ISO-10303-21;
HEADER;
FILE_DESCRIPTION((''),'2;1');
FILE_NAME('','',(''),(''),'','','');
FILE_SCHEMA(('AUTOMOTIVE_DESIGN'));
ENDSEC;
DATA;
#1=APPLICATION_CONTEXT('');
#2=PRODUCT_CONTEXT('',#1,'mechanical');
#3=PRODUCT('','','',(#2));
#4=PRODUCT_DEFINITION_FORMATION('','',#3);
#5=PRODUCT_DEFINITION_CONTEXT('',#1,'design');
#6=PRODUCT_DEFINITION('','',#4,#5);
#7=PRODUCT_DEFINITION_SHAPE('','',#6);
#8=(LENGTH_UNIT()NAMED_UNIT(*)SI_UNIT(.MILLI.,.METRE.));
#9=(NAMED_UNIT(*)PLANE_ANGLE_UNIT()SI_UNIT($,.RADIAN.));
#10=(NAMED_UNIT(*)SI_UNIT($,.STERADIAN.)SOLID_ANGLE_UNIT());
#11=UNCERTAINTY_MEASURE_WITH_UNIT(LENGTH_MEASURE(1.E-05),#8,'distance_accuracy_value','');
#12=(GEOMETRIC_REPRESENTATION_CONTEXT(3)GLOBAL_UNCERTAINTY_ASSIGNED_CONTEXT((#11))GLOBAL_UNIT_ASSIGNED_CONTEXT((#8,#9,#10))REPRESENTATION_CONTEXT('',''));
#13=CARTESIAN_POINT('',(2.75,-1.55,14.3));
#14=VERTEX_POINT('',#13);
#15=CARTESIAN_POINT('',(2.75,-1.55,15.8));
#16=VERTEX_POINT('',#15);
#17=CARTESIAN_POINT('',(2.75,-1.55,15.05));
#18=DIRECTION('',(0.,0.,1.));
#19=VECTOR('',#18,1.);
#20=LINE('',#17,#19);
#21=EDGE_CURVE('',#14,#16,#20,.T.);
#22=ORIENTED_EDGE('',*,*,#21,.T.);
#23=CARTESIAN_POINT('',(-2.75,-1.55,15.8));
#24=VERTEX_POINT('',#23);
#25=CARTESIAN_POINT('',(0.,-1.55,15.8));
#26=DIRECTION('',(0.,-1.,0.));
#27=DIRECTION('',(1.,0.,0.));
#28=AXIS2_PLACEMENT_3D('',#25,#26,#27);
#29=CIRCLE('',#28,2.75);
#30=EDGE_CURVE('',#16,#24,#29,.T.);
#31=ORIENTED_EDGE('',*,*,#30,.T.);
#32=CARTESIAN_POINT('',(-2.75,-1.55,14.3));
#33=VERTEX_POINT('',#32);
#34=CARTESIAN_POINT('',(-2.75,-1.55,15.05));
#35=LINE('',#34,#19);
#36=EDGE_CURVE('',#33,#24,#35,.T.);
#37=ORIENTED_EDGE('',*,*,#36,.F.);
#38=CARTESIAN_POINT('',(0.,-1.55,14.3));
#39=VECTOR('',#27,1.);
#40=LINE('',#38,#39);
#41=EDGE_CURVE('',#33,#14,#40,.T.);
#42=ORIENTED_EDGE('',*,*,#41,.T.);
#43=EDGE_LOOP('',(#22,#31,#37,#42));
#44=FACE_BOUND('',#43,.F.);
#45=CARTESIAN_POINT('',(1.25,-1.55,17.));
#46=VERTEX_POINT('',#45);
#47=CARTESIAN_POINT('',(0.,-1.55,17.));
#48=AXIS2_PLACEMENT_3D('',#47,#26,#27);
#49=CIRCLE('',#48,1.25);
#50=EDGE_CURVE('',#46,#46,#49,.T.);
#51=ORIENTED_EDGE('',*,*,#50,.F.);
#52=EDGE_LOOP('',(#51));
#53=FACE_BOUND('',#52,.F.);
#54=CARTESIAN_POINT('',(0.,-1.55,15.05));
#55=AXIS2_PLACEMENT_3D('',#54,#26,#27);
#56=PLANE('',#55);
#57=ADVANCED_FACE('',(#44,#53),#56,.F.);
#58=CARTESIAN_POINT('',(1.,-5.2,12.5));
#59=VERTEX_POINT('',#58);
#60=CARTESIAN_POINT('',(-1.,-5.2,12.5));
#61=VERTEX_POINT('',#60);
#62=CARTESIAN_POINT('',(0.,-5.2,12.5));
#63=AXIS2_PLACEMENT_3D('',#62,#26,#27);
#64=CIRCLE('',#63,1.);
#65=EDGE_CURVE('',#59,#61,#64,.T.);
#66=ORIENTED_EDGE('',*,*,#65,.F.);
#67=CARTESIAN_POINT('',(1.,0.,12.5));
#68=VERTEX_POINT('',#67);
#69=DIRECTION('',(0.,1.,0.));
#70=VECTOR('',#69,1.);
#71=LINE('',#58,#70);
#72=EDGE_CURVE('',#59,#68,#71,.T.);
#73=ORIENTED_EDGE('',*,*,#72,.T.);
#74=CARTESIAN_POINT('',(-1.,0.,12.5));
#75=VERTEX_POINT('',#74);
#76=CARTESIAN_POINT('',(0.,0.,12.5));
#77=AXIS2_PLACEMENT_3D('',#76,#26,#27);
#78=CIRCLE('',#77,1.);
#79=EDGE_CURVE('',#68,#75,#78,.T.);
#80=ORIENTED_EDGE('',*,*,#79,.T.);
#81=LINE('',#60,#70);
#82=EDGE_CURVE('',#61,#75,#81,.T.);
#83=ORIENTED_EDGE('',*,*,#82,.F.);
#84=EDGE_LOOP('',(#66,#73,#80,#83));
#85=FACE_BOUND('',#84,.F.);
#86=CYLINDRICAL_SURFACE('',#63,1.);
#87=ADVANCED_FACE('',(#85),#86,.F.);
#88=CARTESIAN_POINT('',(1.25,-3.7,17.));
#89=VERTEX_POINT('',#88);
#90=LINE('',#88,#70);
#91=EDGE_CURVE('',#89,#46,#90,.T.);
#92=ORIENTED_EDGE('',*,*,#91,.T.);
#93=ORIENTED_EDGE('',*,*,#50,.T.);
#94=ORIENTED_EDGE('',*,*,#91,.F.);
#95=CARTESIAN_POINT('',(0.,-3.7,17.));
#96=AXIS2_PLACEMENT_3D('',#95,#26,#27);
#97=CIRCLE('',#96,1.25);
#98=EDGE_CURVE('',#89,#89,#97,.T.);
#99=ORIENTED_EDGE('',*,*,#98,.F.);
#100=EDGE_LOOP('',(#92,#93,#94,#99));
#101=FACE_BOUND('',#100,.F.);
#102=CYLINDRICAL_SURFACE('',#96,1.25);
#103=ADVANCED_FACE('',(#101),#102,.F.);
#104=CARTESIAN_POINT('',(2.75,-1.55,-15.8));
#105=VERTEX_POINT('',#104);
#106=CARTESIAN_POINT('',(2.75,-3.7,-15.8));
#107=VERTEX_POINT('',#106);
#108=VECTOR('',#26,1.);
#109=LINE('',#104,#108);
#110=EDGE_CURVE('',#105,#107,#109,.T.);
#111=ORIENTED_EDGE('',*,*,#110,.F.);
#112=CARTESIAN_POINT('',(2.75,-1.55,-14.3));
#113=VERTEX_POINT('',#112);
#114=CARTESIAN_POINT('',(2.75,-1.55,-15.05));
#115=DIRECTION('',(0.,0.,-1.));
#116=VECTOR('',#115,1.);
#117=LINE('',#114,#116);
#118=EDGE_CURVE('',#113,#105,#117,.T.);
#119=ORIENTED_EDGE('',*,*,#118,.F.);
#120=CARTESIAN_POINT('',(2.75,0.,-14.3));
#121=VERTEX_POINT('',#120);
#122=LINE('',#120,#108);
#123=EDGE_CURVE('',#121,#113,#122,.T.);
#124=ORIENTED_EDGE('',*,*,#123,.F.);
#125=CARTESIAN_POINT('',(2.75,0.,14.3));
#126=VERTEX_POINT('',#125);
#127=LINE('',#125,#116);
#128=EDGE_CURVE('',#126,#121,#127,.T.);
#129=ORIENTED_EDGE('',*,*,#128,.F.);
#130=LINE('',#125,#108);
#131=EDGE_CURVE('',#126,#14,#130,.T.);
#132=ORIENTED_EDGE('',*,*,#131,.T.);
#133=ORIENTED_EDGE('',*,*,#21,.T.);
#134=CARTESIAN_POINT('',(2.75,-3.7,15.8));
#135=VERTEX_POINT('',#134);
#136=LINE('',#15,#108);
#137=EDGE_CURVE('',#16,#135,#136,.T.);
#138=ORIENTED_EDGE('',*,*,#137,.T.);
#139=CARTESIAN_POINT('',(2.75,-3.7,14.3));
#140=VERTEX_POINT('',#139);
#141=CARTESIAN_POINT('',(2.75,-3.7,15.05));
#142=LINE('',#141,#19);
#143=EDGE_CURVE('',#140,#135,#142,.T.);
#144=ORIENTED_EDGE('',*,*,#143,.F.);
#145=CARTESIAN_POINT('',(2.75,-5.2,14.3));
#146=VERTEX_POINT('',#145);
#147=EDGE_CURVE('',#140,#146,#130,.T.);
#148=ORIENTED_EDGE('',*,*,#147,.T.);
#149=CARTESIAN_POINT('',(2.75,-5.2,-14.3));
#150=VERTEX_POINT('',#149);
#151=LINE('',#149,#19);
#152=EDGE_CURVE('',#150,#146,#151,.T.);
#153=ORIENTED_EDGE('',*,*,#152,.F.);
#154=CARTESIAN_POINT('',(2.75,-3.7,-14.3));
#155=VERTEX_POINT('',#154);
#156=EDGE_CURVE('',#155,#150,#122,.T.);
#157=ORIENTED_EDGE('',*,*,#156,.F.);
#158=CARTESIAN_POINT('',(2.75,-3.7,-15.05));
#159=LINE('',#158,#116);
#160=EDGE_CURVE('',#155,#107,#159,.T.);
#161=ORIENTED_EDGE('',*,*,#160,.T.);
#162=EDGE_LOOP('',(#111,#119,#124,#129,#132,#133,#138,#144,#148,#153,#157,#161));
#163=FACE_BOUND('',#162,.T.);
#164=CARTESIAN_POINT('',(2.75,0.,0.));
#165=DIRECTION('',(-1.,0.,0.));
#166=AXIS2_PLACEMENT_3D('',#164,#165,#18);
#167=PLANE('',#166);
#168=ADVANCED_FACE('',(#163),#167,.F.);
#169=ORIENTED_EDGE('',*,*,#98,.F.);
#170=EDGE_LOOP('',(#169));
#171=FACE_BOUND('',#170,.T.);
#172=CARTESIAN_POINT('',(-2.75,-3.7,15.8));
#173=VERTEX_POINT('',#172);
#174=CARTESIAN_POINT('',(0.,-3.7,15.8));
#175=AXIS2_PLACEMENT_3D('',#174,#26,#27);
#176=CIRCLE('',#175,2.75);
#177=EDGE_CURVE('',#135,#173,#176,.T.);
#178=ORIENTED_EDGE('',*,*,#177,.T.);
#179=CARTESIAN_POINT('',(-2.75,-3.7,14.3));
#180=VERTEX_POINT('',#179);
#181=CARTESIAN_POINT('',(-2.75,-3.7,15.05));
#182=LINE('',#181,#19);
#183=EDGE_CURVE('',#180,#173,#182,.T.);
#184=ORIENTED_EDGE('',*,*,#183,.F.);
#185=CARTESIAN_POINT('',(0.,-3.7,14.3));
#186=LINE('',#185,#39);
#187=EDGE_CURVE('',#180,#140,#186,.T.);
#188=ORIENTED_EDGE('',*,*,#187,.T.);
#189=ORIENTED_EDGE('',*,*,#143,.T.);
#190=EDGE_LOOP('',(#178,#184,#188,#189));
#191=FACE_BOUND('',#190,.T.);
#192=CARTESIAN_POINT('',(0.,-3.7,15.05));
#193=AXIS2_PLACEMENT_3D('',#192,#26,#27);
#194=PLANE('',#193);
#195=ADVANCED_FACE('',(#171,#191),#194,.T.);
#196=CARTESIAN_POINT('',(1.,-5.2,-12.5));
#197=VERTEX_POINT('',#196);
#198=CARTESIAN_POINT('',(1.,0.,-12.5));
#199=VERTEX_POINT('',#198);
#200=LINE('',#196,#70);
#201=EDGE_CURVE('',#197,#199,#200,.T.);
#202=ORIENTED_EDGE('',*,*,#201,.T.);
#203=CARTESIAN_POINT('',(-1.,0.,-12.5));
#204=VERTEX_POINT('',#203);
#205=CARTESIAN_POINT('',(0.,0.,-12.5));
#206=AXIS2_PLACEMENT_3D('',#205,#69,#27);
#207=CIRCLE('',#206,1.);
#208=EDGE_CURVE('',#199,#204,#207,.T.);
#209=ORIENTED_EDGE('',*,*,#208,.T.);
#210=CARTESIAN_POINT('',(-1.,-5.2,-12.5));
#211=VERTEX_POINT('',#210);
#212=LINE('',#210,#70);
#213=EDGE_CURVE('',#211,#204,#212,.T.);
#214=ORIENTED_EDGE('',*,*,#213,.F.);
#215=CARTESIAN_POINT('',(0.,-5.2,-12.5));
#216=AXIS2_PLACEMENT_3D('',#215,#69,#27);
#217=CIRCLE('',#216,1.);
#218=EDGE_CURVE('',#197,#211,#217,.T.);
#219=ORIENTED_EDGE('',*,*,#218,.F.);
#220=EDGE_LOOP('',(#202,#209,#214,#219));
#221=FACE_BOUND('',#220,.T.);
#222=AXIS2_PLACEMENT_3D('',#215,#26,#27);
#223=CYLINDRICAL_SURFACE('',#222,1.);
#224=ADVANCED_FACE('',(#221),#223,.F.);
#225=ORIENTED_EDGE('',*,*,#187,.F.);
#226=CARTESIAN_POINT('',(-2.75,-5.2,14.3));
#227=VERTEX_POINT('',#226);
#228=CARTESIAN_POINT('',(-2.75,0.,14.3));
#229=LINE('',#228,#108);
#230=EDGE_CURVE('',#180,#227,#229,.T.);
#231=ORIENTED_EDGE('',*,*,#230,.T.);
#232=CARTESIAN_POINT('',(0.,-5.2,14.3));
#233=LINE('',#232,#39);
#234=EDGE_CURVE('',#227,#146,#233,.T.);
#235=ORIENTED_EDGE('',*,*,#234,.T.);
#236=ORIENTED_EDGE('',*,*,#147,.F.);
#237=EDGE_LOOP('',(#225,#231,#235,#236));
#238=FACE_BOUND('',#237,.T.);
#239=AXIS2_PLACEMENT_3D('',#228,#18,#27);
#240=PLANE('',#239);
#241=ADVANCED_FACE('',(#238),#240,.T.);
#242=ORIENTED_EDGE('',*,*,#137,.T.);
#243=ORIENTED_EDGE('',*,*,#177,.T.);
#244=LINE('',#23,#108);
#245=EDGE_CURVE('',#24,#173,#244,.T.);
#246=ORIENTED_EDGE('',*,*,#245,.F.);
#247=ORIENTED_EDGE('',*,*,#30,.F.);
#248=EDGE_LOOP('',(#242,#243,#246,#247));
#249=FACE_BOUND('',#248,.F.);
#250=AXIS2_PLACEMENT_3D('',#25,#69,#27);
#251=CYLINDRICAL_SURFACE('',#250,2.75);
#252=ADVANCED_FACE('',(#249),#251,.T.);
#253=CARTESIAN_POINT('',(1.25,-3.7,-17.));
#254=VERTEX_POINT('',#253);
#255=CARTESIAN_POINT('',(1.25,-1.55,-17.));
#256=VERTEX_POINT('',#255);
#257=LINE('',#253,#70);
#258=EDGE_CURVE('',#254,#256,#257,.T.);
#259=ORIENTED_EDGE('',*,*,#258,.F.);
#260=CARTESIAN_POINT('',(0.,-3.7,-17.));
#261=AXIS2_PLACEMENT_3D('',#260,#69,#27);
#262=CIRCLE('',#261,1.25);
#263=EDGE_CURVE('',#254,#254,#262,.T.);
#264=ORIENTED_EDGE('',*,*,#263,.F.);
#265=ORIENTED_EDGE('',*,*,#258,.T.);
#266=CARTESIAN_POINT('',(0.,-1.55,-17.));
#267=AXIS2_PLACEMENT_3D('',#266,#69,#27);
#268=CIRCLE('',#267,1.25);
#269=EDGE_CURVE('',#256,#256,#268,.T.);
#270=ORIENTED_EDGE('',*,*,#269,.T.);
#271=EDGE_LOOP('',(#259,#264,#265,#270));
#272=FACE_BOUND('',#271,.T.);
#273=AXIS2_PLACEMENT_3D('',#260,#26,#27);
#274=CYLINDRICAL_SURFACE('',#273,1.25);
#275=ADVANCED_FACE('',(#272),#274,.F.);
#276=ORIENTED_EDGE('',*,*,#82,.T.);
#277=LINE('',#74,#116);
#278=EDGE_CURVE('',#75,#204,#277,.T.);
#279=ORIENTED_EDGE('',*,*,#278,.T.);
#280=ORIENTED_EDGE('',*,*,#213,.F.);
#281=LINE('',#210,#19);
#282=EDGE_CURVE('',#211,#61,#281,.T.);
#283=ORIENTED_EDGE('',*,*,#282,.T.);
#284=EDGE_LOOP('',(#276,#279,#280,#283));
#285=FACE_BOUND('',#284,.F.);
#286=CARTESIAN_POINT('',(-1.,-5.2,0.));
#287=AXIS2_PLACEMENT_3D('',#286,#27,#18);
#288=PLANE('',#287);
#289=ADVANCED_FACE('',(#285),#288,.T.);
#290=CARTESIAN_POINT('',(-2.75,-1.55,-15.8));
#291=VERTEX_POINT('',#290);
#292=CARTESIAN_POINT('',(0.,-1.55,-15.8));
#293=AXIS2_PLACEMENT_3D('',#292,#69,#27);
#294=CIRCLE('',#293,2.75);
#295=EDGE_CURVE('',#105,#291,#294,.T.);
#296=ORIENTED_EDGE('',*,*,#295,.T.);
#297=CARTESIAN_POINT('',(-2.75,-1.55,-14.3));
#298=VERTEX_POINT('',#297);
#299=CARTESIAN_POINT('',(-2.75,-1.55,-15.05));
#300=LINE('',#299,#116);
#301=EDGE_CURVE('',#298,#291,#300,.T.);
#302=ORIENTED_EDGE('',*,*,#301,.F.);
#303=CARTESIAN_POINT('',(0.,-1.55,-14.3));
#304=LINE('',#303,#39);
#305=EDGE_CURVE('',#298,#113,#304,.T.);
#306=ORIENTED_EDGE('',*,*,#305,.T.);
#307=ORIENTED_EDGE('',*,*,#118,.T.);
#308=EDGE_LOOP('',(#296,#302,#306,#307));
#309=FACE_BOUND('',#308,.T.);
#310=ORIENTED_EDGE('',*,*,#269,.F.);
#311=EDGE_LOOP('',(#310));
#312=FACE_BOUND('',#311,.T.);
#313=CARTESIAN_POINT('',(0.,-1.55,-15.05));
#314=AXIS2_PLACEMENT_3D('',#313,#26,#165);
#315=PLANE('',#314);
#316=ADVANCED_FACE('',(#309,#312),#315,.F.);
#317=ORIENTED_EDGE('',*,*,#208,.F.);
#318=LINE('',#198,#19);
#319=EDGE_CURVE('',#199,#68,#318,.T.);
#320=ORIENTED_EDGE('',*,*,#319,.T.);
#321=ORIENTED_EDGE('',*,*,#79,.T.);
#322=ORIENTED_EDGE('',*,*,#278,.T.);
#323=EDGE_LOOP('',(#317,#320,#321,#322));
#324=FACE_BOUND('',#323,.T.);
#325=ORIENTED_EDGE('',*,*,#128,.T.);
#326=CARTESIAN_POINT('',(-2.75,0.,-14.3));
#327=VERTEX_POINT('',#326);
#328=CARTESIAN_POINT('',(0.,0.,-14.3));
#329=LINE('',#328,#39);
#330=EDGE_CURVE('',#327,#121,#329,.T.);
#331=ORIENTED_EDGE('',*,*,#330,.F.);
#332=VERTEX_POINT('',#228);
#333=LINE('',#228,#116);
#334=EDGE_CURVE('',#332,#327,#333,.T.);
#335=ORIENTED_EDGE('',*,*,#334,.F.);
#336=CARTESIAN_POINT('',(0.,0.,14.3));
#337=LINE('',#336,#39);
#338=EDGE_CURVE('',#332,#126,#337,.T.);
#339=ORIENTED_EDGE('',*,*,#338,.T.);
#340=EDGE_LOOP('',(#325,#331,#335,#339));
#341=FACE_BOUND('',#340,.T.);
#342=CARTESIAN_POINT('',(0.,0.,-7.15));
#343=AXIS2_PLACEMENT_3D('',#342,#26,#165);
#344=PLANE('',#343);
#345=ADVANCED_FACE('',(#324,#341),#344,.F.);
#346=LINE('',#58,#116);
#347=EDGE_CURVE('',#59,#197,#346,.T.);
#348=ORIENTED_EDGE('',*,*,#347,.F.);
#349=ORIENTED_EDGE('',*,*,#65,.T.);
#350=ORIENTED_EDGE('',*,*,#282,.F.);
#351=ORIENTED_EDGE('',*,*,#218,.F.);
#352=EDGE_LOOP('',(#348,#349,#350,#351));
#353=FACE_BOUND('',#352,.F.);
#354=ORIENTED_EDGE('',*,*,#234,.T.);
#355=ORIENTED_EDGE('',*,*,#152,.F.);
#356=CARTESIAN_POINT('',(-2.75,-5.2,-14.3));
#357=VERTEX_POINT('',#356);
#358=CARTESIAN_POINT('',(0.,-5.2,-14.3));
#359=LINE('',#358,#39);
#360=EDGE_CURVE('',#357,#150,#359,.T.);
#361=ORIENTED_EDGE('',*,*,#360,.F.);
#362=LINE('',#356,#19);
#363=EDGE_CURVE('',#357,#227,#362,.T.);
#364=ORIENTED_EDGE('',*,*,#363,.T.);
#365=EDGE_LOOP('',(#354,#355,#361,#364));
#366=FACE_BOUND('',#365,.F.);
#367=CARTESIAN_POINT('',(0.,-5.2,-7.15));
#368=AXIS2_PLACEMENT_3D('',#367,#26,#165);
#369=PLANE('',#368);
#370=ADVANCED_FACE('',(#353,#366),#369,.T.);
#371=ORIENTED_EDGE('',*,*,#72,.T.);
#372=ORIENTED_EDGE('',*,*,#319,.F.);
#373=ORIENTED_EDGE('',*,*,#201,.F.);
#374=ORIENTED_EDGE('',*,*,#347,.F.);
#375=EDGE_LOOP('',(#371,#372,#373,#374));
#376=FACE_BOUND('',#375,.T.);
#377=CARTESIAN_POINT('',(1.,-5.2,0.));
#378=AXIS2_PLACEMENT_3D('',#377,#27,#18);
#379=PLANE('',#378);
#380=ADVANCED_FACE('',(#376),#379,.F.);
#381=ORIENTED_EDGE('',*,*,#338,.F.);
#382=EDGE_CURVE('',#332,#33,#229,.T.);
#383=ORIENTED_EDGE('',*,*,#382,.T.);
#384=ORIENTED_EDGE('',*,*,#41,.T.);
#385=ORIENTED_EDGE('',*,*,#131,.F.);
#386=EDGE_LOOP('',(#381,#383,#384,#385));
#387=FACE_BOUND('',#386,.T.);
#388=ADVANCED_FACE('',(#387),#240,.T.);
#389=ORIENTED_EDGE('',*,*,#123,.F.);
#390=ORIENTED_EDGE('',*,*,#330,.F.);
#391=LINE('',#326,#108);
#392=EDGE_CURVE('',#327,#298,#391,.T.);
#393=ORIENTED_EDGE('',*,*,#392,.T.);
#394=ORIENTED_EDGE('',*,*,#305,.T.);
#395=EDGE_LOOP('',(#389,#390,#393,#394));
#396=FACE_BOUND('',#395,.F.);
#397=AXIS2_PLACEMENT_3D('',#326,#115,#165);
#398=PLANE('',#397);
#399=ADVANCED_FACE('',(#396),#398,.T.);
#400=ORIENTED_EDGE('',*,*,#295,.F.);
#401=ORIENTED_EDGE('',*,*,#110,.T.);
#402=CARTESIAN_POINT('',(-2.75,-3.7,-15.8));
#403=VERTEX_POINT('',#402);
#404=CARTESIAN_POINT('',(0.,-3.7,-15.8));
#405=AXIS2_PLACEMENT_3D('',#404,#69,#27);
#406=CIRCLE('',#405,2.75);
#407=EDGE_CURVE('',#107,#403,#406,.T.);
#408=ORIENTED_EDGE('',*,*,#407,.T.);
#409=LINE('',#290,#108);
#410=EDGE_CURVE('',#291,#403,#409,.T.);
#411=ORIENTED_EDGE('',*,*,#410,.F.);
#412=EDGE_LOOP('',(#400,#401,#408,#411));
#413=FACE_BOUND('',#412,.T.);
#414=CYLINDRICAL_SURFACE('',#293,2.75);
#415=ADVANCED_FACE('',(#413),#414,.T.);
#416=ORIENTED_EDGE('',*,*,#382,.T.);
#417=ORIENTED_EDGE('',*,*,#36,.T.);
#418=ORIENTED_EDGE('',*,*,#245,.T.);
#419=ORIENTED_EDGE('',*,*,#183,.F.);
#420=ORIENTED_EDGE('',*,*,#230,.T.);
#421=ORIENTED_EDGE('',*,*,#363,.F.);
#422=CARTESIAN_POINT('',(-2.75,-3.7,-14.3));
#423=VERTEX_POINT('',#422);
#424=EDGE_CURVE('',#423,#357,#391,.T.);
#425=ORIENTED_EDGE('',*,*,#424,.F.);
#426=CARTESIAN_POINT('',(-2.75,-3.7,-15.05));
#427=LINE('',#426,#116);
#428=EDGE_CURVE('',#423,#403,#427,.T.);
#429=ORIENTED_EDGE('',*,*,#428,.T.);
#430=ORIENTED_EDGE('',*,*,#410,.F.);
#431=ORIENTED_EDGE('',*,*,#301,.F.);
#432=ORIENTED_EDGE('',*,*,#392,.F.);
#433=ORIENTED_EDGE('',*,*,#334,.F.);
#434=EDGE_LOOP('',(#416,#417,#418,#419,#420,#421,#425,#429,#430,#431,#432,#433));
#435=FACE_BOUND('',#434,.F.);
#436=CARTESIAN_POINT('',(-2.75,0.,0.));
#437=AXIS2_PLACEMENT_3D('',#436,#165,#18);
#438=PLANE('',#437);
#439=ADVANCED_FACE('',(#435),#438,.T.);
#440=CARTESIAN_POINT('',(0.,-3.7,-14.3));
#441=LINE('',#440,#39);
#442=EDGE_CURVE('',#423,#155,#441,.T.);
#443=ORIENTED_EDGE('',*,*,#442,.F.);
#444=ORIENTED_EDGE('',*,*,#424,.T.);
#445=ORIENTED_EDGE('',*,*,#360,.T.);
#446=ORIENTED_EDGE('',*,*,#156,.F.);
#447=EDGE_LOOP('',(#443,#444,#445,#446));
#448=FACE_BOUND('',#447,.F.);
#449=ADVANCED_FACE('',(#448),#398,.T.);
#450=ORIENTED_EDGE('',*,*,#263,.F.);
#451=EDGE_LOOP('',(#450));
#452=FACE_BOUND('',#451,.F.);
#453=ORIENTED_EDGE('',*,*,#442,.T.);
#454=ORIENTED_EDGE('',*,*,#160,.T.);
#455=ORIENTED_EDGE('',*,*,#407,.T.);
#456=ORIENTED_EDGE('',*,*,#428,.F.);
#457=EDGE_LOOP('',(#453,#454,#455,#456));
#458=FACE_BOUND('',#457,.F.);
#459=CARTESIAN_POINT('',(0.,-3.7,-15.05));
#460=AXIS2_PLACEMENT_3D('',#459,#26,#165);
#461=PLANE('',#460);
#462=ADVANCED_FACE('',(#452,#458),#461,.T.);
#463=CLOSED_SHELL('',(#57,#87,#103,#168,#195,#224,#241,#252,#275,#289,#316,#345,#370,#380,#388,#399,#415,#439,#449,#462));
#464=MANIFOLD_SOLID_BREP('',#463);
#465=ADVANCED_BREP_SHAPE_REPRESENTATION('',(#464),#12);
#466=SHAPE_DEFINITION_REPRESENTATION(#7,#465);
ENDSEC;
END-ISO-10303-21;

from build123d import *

# Parameters (mm, degrees)
F0_W     = 5.5
F0_H     = 14.3
F1_DEPTH = 5.2
F2_W     = 2
F2_H     = 12.5
F3_DEPTH = 5.5
F5_W     = 5.5
F5_H     = 1.5
F6_DEPTH = 2.15
F7_R     = 1.25
F8_DEPTH = 3


with BuildPart() as f1:
    # F0 (on Front) → F1 (new body)
    with BuildSketch(Plane.XZ):
        with Locations((0, 7.15)):
            Rectangle(F0_W, F0_H)
    extrude(amount=F1_DEPTH)

    # F2 (on face) → F3 (cut)
    with BuildSketch(Plane.XZ.offset(5.2)):
        with Locations((0, 6.25)):
            Rectangle(F2_W, F2_H)
        with BuildLine():
            ThreePointArc((1, 12.5), (0, 13.5), (-1, 12.5))
            Line((-1, 12.5), (1, 12.5))
        make_face()
    extrude(amount=-F3_DEPTH, mode=Mode.SUBTRACT)

    # F5 (on offset) → F6 (join)
    with BuildSketch(Plane.XZ.offset(1.55)):
        with Locations((0, 15.05)):
            Rectangle(F5_W, F5_H)
        with BuildLine():
            ThreePointArc((2.75, 15.8), (0, 18.55), (-2.75, 15.8))
            Line((-2.75, 15.8), (2.75, 15.8))
        make_face()
    extrude(amount=F6_DEPTH)

    # F7 (on face) → F8 (cut)
    with BuildSketch(Plane.XZ.offset(3.7)):
        with Locations((0, 17)):
            Circle(F7_R)
    extrude(amount=-F8_DEPTH, mode=Mode.SUBTRACT)

    # F9: F1 across plane


with BuildPart() as f1_1:
    add(f1.part)
    add(f1.part.mirror(Plane.XY))


solid = f1_1.part
